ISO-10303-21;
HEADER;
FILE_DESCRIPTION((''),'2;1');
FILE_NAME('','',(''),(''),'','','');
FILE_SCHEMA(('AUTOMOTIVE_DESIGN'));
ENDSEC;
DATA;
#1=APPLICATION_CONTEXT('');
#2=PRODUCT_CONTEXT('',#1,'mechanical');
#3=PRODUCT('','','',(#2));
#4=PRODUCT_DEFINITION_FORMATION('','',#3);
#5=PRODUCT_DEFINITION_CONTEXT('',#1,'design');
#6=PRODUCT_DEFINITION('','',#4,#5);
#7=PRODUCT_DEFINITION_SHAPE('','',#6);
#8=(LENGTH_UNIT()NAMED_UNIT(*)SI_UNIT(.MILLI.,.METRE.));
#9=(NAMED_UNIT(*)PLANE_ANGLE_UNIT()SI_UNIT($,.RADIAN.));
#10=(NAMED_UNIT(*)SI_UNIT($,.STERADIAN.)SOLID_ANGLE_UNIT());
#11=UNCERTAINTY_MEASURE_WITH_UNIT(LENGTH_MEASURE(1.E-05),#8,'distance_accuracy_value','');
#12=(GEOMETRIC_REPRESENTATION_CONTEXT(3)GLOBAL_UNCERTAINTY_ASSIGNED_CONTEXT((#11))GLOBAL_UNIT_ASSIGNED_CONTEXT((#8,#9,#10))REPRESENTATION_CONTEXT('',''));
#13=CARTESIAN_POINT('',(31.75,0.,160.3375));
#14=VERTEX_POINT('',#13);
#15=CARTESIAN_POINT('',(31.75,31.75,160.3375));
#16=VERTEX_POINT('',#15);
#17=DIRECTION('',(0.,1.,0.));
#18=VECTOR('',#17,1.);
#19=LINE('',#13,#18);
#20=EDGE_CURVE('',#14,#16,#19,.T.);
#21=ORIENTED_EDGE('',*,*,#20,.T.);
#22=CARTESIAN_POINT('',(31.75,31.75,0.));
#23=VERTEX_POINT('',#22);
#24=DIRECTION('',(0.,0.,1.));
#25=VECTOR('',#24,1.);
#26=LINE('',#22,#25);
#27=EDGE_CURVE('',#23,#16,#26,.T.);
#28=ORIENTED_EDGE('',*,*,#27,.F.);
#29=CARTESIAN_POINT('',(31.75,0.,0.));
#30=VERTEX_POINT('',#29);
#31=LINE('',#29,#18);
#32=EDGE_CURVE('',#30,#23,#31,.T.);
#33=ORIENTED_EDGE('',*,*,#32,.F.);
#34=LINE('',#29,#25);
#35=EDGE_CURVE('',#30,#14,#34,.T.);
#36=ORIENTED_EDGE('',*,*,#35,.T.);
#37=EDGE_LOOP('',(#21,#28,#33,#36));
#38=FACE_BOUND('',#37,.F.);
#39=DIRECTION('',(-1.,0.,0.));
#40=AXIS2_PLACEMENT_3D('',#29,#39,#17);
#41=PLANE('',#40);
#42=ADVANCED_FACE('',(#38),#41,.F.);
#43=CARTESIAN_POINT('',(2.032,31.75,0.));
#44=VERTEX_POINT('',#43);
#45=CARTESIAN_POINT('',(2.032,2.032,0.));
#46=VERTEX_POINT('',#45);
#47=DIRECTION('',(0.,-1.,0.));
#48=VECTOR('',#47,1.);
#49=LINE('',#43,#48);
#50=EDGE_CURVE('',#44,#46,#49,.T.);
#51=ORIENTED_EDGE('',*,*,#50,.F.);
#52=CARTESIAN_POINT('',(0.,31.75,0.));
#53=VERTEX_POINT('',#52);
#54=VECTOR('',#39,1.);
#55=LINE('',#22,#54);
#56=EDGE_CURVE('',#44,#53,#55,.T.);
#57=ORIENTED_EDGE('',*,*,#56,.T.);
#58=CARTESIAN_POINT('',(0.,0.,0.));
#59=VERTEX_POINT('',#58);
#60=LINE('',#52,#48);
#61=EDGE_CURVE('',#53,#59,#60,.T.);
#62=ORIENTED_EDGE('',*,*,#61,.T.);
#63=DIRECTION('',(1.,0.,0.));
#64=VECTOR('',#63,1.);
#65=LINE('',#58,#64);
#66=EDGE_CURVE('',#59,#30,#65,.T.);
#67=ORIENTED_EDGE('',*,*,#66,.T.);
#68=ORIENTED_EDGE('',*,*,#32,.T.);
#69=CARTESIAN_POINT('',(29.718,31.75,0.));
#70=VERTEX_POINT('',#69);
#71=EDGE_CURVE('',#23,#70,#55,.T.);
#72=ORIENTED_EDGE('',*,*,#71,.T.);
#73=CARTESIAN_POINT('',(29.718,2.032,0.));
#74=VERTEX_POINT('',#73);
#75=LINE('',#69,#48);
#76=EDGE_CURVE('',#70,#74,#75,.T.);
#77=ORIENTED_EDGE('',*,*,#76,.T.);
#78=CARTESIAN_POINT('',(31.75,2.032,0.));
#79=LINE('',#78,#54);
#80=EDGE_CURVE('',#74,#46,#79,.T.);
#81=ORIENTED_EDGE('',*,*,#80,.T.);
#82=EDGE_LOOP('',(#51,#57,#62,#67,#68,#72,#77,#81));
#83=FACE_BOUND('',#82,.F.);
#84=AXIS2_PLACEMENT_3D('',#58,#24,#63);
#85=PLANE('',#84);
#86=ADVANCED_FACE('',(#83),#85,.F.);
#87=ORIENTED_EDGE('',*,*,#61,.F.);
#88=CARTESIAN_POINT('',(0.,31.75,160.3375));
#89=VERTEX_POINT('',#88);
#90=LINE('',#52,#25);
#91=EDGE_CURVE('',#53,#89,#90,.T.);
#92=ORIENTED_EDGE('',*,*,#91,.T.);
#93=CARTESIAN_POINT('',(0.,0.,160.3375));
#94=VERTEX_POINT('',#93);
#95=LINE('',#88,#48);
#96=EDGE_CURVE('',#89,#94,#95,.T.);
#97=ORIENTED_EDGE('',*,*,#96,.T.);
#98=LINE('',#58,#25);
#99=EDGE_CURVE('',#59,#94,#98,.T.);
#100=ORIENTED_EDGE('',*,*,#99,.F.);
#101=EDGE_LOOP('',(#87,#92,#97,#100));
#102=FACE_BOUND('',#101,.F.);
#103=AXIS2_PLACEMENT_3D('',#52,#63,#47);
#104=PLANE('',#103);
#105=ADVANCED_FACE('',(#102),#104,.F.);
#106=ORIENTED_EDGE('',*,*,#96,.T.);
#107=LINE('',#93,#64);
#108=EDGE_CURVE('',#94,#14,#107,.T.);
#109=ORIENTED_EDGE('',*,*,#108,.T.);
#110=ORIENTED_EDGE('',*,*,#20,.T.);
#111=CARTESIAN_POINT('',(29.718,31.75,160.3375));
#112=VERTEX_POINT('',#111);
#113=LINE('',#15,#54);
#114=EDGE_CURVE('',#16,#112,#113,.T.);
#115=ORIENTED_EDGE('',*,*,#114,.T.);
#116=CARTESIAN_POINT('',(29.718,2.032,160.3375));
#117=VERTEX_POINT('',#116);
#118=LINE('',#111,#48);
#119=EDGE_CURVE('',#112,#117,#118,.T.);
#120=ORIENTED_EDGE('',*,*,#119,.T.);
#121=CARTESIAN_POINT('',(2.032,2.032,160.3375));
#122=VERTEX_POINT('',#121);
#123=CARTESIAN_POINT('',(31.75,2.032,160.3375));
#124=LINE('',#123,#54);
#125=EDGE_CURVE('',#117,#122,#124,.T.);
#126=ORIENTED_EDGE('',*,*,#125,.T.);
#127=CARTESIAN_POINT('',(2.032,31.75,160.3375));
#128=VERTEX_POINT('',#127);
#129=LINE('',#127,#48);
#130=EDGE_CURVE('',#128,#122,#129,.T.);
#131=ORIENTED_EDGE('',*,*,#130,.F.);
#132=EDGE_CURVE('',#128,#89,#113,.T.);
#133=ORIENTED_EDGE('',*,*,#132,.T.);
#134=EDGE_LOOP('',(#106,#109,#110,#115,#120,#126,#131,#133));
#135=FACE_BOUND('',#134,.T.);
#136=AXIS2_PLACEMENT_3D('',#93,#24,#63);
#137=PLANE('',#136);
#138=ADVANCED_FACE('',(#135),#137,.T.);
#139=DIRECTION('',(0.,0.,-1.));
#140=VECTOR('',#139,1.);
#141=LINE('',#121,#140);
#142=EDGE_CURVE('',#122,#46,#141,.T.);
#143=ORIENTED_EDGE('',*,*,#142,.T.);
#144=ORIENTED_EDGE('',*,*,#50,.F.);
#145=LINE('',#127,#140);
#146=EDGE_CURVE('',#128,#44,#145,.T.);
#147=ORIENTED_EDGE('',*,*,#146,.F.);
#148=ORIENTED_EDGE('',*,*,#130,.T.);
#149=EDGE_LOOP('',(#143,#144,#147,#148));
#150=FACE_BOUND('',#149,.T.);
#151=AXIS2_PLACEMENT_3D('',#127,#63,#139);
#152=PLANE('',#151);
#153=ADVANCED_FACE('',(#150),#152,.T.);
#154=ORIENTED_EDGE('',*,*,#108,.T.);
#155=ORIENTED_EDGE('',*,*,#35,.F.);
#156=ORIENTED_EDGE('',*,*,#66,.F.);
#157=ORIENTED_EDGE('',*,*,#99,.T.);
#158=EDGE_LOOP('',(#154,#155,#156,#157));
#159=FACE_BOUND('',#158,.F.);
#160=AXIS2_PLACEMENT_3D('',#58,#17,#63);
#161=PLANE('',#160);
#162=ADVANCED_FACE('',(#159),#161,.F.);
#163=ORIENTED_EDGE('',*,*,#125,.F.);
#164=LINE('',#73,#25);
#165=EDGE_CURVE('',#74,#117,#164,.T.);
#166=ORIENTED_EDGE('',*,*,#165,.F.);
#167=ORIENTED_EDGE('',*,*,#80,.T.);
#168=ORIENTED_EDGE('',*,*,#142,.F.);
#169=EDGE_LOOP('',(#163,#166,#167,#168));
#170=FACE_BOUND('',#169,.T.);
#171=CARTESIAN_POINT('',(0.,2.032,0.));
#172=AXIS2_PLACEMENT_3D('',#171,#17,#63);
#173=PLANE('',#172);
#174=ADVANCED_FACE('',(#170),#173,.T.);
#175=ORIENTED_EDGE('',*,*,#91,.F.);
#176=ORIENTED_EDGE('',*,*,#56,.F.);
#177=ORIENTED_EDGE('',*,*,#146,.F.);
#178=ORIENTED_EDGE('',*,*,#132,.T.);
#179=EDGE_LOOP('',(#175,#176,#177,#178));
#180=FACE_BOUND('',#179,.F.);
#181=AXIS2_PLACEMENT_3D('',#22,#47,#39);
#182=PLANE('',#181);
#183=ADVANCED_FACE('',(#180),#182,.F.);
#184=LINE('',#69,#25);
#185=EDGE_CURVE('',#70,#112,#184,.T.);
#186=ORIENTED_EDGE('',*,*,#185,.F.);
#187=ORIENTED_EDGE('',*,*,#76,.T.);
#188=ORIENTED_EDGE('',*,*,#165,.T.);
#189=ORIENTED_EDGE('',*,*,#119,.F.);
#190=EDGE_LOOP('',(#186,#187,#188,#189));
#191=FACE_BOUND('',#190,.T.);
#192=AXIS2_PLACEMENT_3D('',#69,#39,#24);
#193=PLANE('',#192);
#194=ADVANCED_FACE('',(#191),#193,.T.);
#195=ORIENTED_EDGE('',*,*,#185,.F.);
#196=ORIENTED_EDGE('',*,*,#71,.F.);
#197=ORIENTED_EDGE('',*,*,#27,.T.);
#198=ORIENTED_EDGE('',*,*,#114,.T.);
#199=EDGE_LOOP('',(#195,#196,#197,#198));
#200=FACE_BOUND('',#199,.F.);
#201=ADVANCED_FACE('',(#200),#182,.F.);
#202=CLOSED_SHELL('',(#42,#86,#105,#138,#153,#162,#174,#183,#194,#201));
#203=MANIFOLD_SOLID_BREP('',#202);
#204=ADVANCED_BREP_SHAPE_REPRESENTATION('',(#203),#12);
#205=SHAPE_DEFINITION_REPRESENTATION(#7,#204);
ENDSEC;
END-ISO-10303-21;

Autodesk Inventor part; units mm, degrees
ref_plane "YZ Plane" through (0, 0, 0) normal (1, 0, 0) x (0, 1, 0)
ref_plane "XZ Plane" through (0, 0, 0) normal (0, 1, 0) x (-1, 0, 0)
ref_plane "XY Plane" through (0, 0, 0) normal (0, 0, 1) x (1, 0, 0)
sketch "Sketch1" plane through (0, 0, 0) normal (0, 0, 1) x (1, 0, 0)
  line L0 (0, 0) -> (31.75, 0)
  line L1 (31.75, 0) -> (31.75, 31.75)
  line L2 (31.75, 31.75) -> (0, 31.75)
  line L3 (0, 31.75) -> (0, 0)
  dimension "d0" = 31.75
  dimension "d1" = 31.75
extrude "Extrusion1" add sketch "Sketch1" along normal blind 160.3375
sketch "Sketch2" plane through (0, 0, 160.3375) normal (0, 0, 1) x (1, 0, 0)
  circle A0 centre (15.875, 15.875) radius 2.54
  line L0 (31.75, 31.75) -> (0, 31.75) projected
  line L1 (0, 0) -> (31.75, 0) projected
  line L2 (0, 31.75) -> (0, 0) projected
  dimension "d4" = 5.08
  dimension "d5" = 31.75
  dimension "d6" = 15.875
  dimension "d7" = 15.875
extrude "Extrusion2" cut sketch "Sketch2" against normal through all
sketch "Sketch3" plane through (0, 31.75, 0) normal (0, 1, 0) x (1, 0, 0)
  line L0 (31.75, 0) -> (0, 0) projected
  line L1 (0, 0) -> (0, -160.3375) projected
  line L2 (31.75, 0) -> (31.75, -160.3375) projected
  line L3 (31.75, -160.3375) -> (0, -160.3375) projected
  line L4 (2.032, 0) -> (29.718, 0)
  line L5 (29.718, 0) -> (29.718, -160.3375)
  line L6 (29.718, -160.3375) -> (2.032, -160.3375)
  line L7 (2.032, -160.3375) -> (2.032, 0)
  dimension "d10" = 0
  dimension "d11" = 2.032
  dimension "d12" = 2.032
  dimension "d13" = 0
extrude "Extrusion3" cut sketch "Sketch3" against normal blind 29.718 contours L5 L3 L7 L0
equation "\"d1\" = d0"
equation "\"d6\" = 0.5 * d5"
equation "\"d7\" = d6"
equation "\"d12\" = d11"
properties part number "Claw holding bars"
